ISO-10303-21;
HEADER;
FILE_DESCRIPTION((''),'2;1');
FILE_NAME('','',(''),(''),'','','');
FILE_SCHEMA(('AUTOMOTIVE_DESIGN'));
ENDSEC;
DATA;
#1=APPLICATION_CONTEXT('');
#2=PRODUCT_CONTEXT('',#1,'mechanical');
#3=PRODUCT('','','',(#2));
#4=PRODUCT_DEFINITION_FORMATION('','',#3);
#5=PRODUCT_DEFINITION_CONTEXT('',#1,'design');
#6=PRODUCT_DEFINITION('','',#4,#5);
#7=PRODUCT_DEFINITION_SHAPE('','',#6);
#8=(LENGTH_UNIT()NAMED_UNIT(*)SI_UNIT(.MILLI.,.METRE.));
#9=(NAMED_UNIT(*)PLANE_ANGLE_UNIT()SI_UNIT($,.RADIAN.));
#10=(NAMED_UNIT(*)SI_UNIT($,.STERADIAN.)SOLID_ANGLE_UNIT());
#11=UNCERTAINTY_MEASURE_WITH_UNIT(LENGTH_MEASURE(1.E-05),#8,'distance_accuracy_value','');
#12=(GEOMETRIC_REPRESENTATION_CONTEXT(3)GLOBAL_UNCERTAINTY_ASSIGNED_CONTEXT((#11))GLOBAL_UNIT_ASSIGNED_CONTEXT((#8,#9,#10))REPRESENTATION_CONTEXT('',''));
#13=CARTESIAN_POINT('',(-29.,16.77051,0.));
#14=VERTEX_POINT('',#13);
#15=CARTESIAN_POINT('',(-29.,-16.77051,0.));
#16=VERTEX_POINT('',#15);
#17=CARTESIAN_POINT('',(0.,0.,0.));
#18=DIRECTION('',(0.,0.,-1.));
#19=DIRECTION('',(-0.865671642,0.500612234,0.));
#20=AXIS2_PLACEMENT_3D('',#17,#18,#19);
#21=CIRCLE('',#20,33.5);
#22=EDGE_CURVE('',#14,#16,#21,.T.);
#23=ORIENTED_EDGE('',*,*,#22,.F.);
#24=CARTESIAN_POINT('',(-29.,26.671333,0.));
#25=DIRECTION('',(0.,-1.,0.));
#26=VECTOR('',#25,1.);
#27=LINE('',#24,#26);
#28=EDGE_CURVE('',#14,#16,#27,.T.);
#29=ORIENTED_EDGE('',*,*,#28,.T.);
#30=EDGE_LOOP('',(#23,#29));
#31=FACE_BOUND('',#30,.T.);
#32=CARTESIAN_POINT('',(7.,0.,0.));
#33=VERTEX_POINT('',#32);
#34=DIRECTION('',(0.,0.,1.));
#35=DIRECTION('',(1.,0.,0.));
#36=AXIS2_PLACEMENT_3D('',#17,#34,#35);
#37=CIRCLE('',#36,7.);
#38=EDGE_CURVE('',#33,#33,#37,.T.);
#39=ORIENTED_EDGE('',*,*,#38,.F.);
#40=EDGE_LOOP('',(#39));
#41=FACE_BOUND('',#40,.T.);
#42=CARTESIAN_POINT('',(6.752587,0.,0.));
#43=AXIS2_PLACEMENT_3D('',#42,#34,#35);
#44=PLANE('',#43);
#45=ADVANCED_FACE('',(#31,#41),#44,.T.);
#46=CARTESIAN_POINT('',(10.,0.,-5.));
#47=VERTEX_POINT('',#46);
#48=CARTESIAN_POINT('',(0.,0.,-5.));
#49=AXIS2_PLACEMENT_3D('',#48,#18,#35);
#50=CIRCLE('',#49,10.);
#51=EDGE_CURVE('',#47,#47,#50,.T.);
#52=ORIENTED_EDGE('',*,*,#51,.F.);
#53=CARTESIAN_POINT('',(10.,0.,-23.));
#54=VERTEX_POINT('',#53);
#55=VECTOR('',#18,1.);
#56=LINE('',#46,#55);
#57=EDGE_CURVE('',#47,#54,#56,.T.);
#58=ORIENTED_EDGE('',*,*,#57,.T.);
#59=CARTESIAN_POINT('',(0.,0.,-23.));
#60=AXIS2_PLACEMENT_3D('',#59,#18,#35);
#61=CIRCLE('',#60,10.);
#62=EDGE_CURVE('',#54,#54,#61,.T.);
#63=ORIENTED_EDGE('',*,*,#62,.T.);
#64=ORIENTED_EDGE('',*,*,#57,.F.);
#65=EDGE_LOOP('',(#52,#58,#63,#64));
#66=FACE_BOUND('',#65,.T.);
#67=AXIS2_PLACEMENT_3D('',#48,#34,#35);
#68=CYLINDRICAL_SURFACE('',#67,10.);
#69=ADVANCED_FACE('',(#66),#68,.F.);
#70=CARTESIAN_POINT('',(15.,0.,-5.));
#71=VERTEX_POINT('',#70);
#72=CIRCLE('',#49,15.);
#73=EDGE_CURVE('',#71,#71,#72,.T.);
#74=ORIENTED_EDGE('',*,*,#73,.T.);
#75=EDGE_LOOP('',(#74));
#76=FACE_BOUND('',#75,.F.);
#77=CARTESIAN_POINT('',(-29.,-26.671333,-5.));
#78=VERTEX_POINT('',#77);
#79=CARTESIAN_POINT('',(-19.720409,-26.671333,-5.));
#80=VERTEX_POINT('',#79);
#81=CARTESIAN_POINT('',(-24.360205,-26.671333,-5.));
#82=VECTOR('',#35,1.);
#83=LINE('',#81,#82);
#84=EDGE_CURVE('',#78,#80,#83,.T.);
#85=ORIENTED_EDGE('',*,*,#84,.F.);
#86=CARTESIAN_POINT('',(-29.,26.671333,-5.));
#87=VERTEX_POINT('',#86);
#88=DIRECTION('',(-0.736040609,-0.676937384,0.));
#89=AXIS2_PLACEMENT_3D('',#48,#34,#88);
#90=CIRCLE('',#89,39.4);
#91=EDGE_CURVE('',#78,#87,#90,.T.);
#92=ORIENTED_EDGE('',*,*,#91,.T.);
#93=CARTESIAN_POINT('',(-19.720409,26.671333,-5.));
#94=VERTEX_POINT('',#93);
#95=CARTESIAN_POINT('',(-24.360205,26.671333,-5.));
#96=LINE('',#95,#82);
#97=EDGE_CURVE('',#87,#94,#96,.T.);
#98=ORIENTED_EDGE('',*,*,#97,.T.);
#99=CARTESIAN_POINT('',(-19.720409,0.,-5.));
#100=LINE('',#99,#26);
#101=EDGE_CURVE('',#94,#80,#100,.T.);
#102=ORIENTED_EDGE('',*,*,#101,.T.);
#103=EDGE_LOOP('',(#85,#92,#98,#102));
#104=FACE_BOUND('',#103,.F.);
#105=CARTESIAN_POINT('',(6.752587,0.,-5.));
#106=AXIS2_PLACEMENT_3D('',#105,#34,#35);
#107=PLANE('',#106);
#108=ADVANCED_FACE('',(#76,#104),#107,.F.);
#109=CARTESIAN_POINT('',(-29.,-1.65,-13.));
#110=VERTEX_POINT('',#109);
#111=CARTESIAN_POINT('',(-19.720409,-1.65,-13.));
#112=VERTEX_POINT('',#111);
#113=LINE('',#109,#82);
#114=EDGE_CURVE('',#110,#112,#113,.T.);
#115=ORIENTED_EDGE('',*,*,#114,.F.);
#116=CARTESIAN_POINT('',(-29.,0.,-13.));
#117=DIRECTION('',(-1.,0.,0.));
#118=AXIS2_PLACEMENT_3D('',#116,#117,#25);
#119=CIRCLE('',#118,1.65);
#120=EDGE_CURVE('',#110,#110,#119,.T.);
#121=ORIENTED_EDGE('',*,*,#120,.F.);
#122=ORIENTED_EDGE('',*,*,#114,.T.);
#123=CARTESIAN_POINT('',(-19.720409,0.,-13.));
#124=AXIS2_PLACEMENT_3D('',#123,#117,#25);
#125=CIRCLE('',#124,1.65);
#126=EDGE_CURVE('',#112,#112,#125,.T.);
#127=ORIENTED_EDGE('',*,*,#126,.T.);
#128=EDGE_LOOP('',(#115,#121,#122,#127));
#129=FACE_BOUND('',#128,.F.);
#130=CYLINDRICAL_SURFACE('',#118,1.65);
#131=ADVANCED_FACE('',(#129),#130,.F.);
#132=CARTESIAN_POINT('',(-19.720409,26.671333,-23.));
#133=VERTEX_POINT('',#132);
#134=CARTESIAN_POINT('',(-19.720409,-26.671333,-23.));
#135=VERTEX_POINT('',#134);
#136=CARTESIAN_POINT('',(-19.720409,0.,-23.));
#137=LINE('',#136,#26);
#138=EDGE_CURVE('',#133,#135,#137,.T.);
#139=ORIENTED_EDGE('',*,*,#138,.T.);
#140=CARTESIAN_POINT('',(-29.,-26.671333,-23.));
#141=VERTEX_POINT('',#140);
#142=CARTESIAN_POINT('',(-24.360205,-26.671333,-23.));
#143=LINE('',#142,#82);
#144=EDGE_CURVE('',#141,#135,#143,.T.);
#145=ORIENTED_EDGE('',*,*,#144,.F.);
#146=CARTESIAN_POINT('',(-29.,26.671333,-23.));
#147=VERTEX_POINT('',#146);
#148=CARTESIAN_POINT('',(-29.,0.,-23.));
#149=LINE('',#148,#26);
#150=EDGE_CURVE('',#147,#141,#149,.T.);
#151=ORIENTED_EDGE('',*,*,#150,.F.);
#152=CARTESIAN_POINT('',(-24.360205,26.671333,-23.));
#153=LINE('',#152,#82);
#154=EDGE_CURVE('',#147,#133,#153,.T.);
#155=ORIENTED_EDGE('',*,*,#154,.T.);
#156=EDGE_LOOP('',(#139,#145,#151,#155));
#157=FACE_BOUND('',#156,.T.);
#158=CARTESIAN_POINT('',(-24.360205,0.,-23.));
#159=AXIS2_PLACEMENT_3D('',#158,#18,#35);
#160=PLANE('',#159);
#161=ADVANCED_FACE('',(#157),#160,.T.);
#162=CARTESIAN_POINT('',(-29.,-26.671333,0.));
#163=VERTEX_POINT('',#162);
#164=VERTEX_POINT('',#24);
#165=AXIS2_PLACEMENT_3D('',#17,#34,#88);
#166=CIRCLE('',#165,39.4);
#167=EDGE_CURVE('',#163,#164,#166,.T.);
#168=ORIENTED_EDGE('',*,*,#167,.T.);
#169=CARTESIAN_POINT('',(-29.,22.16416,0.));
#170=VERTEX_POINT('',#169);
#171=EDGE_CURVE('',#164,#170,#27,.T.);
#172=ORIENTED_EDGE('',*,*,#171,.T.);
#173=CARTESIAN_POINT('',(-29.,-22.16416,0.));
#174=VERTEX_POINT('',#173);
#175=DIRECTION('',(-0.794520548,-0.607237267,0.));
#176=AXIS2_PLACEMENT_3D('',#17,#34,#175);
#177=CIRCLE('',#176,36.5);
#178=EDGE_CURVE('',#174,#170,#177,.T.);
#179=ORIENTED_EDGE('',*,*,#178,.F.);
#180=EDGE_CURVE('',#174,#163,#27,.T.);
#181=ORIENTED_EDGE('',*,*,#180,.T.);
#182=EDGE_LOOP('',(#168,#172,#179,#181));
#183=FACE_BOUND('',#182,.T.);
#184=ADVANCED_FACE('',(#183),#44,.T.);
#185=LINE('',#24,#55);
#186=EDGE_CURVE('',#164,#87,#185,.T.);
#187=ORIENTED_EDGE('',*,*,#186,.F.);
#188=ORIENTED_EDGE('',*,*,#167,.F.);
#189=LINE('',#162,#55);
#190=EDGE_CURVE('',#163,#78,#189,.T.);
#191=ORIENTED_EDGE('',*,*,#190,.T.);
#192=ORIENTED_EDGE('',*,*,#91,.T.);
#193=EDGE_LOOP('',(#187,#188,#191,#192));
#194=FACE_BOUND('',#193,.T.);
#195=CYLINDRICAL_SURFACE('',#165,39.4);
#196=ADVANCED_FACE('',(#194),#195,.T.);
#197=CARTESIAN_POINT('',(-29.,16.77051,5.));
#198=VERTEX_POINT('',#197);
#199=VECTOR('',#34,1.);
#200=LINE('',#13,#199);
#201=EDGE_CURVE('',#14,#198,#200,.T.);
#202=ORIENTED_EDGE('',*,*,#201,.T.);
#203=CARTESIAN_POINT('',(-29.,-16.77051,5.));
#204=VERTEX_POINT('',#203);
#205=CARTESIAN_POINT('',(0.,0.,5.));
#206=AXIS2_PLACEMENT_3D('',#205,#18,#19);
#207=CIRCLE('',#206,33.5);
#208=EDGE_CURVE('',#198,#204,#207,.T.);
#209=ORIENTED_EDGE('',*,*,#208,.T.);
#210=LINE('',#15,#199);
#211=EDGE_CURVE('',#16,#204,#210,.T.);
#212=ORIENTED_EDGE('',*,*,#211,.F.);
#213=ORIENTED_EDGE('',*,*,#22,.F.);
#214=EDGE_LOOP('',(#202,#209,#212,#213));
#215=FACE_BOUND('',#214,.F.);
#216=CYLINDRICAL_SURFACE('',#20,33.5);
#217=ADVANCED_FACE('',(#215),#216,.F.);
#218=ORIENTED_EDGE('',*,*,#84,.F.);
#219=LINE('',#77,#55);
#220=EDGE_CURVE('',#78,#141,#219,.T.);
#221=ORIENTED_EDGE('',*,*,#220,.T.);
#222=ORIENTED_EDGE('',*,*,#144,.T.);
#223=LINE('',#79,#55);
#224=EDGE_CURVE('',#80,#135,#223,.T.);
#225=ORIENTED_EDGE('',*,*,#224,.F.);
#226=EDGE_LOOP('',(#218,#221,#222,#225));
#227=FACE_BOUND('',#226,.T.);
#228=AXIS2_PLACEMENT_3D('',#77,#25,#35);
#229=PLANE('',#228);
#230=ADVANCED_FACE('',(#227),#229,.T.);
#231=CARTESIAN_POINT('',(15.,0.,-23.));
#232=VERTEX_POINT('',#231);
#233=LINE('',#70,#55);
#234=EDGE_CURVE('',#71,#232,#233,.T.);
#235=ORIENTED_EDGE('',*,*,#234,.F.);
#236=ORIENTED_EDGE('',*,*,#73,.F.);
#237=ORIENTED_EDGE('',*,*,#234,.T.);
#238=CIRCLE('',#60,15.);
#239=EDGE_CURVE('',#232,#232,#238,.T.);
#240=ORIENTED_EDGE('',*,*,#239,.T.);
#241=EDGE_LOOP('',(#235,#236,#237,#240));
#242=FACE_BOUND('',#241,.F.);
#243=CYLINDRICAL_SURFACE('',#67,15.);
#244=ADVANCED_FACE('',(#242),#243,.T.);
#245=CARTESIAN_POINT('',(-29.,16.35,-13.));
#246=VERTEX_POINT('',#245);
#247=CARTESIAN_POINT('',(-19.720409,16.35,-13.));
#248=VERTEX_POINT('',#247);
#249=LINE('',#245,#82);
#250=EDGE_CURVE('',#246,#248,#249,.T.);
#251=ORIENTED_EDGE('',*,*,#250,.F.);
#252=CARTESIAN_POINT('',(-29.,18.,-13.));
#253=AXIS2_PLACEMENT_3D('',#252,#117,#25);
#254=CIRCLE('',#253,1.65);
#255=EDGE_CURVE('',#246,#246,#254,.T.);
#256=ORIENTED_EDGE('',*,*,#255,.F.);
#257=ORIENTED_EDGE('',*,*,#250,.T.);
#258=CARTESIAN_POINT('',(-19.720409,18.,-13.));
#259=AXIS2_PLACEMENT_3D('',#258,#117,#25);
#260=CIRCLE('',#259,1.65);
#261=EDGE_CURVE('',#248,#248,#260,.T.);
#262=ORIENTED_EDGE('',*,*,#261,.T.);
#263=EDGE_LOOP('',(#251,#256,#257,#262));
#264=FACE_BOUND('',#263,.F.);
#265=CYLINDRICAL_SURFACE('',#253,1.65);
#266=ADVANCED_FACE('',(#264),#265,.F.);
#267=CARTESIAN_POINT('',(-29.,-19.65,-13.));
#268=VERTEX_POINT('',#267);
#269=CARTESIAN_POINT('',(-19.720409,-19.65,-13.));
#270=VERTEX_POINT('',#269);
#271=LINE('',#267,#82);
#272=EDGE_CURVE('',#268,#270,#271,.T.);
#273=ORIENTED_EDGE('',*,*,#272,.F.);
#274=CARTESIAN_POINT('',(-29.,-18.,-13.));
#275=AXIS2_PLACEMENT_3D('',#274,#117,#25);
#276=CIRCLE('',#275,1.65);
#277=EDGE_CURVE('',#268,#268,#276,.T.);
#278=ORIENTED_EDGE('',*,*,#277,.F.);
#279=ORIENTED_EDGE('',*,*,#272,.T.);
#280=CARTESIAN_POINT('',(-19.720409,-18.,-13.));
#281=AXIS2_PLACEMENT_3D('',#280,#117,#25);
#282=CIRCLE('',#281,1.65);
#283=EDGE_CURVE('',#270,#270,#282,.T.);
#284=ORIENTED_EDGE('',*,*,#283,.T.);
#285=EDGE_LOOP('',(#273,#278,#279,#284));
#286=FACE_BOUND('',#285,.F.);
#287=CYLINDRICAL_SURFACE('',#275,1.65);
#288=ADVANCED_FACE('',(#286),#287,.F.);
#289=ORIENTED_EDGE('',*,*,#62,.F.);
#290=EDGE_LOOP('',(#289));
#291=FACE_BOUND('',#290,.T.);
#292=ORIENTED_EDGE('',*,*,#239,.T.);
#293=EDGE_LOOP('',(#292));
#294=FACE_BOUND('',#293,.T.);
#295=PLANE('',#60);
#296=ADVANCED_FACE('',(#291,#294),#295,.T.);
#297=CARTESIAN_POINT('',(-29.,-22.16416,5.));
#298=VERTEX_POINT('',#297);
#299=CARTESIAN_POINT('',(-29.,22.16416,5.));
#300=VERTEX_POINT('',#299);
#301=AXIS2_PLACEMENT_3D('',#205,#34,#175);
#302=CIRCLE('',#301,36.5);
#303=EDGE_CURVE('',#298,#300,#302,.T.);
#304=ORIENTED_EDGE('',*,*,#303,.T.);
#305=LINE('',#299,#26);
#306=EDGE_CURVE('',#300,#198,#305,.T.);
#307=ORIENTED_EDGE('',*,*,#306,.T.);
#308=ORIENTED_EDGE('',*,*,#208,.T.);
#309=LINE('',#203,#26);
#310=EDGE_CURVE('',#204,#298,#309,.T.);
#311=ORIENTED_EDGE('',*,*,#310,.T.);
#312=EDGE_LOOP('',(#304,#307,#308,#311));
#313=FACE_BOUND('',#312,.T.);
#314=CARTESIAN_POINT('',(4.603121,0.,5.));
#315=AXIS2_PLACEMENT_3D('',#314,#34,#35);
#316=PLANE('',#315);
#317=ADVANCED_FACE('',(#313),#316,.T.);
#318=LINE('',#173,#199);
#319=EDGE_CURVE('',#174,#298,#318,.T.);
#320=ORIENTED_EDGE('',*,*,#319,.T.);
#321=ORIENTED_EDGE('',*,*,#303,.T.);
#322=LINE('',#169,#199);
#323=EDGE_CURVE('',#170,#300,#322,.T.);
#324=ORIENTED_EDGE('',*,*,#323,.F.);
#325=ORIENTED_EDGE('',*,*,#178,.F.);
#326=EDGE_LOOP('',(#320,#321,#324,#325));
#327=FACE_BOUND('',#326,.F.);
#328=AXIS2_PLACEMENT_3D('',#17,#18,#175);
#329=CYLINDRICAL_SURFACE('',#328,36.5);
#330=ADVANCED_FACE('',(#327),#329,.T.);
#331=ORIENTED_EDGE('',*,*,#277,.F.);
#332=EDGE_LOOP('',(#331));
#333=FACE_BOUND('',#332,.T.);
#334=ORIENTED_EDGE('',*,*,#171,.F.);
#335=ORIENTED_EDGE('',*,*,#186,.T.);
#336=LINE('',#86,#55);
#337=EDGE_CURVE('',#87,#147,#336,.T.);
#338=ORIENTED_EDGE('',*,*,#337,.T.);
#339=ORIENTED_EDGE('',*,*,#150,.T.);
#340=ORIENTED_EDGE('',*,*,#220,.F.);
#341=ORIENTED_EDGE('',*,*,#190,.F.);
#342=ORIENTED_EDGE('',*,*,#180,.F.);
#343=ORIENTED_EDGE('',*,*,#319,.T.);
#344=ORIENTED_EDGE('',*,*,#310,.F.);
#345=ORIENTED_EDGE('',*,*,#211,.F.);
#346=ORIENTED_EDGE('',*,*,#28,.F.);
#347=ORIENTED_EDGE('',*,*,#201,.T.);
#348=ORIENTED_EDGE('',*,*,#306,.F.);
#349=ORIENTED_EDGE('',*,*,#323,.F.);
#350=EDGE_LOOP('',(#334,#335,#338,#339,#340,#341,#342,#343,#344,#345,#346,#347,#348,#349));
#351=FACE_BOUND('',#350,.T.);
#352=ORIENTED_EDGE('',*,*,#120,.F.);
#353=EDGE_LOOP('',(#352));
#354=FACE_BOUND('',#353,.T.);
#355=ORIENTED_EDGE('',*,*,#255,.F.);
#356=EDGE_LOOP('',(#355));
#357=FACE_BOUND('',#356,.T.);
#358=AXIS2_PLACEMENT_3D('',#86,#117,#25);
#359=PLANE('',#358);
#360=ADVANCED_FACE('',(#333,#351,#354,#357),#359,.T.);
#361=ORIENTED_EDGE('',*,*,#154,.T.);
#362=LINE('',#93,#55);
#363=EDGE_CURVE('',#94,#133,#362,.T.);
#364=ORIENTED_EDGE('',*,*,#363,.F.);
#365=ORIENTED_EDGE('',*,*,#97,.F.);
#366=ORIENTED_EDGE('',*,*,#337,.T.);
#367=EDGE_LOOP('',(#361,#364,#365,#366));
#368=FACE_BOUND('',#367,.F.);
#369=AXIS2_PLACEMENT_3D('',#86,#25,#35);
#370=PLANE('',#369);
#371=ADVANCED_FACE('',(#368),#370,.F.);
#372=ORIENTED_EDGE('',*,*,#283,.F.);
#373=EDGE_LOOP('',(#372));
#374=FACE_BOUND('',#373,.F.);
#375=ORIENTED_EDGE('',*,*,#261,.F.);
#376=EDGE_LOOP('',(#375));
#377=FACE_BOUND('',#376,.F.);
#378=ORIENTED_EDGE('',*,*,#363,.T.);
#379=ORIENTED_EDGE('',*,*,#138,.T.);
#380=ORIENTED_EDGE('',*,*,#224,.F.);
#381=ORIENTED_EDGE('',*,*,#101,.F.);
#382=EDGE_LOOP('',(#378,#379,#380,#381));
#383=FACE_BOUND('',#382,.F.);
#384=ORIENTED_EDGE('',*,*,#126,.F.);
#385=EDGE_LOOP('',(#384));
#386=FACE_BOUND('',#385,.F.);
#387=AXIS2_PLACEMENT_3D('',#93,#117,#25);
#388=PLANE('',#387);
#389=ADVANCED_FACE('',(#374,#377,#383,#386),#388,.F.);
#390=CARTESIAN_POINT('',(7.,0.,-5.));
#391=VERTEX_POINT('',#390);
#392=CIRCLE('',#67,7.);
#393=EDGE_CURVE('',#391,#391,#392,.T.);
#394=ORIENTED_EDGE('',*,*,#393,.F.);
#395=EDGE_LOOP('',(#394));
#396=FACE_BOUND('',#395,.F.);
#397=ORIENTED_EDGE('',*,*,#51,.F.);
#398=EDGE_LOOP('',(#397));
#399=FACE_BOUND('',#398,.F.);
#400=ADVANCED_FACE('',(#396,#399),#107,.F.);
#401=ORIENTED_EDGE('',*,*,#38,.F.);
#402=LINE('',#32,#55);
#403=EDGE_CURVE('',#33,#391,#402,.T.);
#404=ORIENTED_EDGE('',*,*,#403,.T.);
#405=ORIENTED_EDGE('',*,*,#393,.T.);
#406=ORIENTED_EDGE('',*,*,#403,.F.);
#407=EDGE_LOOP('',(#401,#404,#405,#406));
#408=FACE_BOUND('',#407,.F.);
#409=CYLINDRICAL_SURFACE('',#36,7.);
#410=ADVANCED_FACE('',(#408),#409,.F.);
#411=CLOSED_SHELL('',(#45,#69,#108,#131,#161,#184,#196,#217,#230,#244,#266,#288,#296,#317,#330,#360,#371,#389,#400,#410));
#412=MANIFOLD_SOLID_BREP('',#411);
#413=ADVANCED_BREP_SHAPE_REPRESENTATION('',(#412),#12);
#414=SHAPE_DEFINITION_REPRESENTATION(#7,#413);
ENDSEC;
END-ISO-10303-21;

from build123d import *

# Parameters (mm, degrees)
F1_DEPTH = 5
F0_R     = 7
F2_DEPTH = 5
F3_R     = 15
F3_R_2   = 10
F4_DEPTH = 18
F5_W     = 9.2795909345
F5_H     = 53.3426658501
F6_DEPTH = 18
F7_R     = 1.65
F8_DEPTH = 11.3


with BuildPart() as f1:
    # F0 (on Top) → F1 (new body)
    with BuildSketch(Plane.XY):
        with BuildLine():
            Line((-29, -16.7705098312), (-29, -22.1641602593))
            ThreePointArc((-29, -22.1641602593), (36.5, 0), (-29, 22.1641602593))
            Line((-29, 22.1641602593), (-29, 16.7705098312))
            ThreePointArc((-29, 16.7705098312), (33.5, 0), (-29, -16.7705098312))
        make_face()
    extrude(amount=F1_DEPTH)

    # F0 (on Top) → F2 (join)
    with BuildSketch(Plane.XY):
        with BuildLine():
            Line((-29, -22.1641602593), (-29, -26.6713329251))
            ThreePointArc((-29, -26.6713329251), (39.4, 0), (-29, 26.6713329251))
            Line((-29, 26.6713329251), (-29, 22.1641602593))
            ThreePointArc((-29, 22.1641602593), (36.5, 0), (-29, -22.1641602593))
        make_face()
        with BuildLine():
            Line((-29, -16.7705098312), (-29, -22.1641602593))
            ThreePointArc((-29, -22.1641602593), (36.5, 0), (-29, 22.1641602593))
            Line((-29, 22.1641602593), (-29, 16.7705098312))
            ThreePointArc((-29, 16.7705098312), (33.5, 0), (-29, -16.7705098312))
        make_face()
        with BuildLine():
            Line((-29, 16.7705098312), (-29, -16.7705098312))
            ThreePointArc((-29, -16.7705098312), (33.5, 0), (-29, 16.7705098312))
        make_face()
        Circle(F0_R, mode=Mode.SUBTRACT)
    extrude(amount=-F2_DEPTH)

    # F3 (on face) → F4 (join)
    with BuildSketch(Plane(origin=(0, 0, -5), x_dir=(1, 0, 0), z_dir=(0, 0, -1))):
        Circle(F3_R)
        Circle(F3_R_2, mode=Mode.SUBTRACT)
    extrude(amount=F4_DEPTH)

    # F5 (on face) → F6 (join)
    with BuildSketch(Plane(origin=(0, 0, -5), x_dir=(1, 0, 0), z_dir=(0, 0, -1))):
        with Locations((-24.3602045327, 0)):
            Rectangle(F5_W, F5_H)
    extrude(amount=F6_DEPTH)

    # F7 (on face) → F8 (cut)
    with BuildSketch(Plane(origin=(-29, 0, 0), x_dir=(0, -1, 0), z_dir=(-1, 0, 0))):
        with Locations((-18, -13)):
            Circle(F7_R)
        with Locations((0, -13)):
            Circle(F7_R)
        with Locations((18, -13)):
            Circle(F7_R)
    extrude(amount=-F8_DEPTH, mode=Mode.SUBTRACT)


solid = f1.part
